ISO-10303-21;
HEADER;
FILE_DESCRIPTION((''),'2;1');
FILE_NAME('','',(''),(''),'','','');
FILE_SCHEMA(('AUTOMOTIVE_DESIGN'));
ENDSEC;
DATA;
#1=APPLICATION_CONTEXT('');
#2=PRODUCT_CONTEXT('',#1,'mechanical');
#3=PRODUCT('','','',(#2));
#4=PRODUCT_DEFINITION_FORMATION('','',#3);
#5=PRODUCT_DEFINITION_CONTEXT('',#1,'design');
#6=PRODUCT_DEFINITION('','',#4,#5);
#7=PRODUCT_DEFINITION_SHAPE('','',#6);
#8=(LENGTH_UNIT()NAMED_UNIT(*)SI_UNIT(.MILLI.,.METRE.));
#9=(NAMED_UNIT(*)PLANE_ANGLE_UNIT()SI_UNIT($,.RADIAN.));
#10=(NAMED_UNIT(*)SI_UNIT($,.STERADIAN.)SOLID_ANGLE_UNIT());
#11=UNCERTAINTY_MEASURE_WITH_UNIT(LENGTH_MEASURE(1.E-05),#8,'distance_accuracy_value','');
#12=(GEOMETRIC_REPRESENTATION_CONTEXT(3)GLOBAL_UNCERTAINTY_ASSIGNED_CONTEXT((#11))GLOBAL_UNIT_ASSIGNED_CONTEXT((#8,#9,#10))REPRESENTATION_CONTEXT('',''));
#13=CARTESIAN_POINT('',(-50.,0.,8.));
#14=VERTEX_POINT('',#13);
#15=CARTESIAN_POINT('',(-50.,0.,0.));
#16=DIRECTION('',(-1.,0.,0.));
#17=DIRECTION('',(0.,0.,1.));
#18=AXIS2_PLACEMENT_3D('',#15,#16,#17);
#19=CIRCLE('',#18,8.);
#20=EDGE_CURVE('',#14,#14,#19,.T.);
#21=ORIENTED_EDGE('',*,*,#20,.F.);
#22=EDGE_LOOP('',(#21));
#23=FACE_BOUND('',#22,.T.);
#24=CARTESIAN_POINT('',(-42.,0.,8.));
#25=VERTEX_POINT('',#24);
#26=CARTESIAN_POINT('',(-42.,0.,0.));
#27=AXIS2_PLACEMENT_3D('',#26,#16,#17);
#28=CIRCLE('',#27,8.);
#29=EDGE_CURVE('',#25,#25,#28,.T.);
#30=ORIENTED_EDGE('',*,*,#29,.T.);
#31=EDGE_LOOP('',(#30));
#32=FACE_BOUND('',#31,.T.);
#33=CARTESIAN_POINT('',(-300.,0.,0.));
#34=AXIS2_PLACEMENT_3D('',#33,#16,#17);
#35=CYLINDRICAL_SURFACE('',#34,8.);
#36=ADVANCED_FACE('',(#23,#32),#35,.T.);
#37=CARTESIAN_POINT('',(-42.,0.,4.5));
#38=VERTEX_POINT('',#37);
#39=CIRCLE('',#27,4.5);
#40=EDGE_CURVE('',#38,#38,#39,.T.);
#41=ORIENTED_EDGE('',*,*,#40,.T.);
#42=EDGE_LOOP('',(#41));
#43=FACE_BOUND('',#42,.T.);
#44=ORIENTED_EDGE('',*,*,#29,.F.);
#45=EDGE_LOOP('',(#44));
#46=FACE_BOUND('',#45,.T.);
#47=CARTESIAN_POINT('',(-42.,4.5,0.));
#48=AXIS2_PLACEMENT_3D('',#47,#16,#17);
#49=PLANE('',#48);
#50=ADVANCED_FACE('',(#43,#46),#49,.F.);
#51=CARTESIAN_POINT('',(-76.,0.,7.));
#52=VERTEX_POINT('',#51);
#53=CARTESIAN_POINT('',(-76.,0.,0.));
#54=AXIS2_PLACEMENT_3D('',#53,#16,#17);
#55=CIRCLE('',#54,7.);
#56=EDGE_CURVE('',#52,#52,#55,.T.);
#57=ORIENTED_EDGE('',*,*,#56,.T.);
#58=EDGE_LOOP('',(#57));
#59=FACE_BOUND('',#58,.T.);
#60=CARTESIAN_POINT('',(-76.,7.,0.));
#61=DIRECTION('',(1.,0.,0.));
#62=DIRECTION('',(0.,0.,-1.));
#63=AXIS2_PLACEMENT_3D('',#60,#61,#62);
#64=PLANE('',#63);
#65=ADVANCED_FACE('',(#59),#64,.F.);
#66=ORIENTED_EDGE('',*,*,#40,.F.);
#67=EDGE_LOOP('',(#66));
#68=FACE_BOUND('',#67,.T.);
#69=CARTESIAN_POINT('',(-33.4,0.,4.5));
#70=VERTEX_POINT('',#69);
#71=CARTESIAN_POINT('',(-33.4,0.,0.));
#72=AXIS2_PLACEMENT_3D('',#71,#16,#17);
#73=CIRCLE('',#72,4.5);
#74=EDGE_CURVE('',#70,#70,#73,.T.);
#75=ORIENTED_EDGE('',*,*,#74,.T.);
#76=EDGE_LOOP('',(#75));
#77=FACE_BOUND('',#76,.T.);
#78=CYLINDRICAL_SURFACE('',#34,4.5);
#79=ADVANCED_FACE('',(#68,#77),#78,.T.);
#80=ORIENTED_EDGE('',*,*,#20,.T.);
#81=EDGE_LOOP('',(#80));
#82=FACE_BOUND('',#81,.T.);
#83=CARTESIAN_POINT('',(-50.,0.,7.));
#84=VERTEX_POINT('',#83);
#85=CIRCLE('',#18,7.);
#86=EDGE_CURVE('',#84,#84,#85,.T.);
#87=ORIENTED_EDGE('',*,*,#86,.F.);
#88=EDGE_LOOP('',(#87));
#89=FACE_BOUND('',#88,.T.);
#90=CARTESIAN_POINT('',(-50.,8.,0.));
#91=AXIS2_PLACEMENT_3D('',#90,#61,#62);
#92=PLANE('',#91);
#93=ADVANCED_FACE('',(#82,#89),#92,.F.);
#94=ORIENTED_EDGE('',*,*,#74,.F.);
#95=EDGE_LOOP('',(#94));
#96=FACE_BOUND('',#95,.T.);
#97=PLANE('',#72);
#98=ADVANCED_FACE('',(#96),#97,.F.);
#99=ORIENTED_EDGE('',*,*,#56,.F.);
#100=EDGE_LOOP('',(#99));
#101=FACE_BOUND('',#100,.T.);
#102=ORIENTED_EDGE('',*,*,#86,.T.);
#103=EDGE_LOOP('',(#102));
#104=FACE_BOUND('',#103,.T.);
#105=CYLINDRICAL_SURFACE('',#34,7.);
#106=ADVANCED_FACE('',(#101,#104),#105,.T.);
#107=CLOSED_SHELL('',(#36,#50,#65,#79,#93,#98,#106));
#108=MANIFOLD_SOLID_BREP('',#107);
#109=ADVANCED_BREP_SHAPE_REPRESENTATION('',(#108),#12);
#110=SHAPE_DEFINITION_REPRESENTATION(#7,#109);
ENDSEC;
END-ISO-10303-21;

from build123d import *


with BuildPart() as part:
    # Torch_Plug Sketch → Torch_Plug (revolve)
    with BuildSketch(Plane.XY):
        Polygon((-33.4, 0), (-33.4, 4.5), (-42, 4.5), (-42, 8), (-50, 8), (-50, 7), (-76, 7), (-76, 0), align=None)
    revolve(axis=Axis((-300, 0, 0), (1, 0, 0)))


solid = part.part
